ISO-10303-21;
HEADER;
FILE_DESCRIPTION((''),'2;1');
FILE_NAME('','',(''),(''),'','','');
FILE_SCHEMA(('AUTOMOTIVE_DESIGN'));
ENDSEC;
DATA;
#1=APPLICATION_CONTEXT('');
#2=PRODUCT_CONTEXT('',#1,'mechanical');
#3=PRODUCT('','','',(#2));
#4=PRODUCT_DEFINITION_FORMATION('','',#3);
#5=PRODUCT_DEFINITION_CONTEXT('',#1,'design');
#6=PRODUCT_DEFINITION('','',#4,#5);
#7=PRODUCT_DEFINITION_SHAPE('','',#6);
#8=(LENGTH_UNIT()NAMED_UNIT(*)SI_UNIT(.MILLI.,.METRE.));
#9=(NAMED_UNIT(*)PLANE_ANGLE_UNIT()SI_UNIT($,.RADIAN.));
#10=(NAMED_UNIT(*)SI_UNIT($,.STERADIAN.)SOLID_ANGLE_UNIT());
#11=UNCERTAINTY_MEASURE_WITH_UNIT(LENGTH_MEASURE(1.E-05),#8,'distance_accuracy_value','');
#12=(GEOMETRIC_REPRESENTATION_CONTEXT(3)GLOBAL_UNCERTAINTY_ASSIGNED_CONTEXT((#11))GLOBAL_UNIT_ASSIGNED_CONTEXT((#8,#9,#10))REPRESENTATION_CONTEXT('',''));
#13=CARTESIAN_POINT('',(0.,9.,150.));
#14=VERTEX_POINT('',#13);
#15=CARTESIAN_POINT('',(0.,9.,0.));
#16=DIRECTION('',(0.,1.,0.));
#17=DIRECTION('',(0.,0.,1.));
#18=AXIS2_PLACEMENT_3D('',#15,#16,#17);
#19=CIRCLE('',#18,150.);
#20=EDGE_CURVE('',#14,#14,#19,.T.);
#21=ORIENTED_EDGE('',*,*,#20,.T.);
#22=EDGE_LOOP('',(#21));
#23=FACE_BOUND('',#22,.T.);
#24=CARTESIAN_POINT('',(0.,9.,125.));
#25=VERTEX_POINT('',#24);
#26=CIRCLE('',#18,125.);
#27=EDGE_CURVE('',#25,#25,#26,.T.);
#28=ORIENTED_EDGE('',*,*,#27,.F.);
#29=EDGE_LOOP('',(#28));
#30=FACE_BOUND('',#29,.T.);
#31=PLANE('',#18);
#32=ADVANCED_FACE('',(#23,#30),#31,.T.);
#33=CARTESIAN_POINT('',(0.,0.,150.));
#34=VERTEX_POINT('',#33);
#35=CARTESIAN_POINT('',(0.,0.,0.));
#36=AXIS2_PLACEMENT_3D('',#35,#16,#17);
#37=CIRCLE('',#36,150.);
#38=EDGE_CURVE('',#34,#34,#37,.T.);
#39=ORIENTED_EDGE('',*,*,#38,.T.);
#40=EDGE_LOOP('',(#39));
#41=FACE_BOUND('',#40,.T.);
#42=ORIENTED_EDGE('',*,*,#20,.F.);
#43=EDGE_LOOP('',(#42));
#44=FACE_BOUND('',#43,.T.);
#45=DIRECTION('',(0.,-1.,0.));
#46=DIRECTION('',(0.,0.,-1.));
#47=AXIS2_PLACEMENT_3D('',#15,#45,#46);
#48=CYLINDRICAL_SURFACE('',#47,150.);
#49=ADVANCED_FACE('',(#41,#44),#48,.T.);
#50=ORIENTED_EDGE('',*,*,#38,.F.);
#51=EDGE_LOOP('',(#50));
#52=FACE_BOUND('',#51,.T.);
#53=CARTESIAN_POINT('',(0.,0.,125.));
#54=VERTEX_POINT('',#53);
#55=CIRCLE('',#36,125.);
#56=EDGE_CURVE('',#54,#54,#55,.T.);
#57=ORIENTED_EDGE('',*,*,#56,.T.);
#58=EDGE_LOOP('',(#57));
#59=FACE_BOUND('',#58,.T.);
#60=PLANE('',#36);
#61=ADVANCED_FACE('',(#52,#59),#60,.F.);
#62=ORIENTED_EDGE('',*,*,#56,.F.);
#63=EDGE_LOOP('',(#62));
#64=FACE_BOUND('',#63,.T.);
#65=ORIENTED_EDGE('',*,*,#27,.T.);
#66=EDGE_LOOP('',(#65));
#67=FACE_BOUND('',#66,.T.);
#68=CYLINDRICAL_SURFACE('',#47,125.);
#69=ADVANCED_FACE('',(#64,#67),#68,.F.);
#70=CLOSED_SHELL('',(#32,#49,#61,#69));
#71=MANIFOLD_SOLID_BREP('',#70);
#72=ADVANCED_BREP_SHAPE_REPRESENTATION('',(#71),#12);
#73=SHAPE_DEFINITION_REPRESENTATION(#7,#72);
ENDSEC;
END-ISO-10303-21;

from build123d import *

# Parameters (mm, degrees)
CROQUIS1_R              = 150
CROQUIS1_R_2            = 125
SALIENTE_EXTRUIR1_DEPTH = 9


with BuildPart() as part:
    # Croquis1 → Saliente-Extruir1 (new body)
    with BuildSketch(Plane(origin=(0, 0, 0), x_dir=(1, 0, 0), z_dir=(0, 1, 0))):
        Circle(CROQUIS1_R)
        Circle(CROQUIS1_R_2, mode=Mode.SUBTRACT)
    extrude(amount=SALIENTE_EXTRUIR1_DEPTH)


solid = part.part
